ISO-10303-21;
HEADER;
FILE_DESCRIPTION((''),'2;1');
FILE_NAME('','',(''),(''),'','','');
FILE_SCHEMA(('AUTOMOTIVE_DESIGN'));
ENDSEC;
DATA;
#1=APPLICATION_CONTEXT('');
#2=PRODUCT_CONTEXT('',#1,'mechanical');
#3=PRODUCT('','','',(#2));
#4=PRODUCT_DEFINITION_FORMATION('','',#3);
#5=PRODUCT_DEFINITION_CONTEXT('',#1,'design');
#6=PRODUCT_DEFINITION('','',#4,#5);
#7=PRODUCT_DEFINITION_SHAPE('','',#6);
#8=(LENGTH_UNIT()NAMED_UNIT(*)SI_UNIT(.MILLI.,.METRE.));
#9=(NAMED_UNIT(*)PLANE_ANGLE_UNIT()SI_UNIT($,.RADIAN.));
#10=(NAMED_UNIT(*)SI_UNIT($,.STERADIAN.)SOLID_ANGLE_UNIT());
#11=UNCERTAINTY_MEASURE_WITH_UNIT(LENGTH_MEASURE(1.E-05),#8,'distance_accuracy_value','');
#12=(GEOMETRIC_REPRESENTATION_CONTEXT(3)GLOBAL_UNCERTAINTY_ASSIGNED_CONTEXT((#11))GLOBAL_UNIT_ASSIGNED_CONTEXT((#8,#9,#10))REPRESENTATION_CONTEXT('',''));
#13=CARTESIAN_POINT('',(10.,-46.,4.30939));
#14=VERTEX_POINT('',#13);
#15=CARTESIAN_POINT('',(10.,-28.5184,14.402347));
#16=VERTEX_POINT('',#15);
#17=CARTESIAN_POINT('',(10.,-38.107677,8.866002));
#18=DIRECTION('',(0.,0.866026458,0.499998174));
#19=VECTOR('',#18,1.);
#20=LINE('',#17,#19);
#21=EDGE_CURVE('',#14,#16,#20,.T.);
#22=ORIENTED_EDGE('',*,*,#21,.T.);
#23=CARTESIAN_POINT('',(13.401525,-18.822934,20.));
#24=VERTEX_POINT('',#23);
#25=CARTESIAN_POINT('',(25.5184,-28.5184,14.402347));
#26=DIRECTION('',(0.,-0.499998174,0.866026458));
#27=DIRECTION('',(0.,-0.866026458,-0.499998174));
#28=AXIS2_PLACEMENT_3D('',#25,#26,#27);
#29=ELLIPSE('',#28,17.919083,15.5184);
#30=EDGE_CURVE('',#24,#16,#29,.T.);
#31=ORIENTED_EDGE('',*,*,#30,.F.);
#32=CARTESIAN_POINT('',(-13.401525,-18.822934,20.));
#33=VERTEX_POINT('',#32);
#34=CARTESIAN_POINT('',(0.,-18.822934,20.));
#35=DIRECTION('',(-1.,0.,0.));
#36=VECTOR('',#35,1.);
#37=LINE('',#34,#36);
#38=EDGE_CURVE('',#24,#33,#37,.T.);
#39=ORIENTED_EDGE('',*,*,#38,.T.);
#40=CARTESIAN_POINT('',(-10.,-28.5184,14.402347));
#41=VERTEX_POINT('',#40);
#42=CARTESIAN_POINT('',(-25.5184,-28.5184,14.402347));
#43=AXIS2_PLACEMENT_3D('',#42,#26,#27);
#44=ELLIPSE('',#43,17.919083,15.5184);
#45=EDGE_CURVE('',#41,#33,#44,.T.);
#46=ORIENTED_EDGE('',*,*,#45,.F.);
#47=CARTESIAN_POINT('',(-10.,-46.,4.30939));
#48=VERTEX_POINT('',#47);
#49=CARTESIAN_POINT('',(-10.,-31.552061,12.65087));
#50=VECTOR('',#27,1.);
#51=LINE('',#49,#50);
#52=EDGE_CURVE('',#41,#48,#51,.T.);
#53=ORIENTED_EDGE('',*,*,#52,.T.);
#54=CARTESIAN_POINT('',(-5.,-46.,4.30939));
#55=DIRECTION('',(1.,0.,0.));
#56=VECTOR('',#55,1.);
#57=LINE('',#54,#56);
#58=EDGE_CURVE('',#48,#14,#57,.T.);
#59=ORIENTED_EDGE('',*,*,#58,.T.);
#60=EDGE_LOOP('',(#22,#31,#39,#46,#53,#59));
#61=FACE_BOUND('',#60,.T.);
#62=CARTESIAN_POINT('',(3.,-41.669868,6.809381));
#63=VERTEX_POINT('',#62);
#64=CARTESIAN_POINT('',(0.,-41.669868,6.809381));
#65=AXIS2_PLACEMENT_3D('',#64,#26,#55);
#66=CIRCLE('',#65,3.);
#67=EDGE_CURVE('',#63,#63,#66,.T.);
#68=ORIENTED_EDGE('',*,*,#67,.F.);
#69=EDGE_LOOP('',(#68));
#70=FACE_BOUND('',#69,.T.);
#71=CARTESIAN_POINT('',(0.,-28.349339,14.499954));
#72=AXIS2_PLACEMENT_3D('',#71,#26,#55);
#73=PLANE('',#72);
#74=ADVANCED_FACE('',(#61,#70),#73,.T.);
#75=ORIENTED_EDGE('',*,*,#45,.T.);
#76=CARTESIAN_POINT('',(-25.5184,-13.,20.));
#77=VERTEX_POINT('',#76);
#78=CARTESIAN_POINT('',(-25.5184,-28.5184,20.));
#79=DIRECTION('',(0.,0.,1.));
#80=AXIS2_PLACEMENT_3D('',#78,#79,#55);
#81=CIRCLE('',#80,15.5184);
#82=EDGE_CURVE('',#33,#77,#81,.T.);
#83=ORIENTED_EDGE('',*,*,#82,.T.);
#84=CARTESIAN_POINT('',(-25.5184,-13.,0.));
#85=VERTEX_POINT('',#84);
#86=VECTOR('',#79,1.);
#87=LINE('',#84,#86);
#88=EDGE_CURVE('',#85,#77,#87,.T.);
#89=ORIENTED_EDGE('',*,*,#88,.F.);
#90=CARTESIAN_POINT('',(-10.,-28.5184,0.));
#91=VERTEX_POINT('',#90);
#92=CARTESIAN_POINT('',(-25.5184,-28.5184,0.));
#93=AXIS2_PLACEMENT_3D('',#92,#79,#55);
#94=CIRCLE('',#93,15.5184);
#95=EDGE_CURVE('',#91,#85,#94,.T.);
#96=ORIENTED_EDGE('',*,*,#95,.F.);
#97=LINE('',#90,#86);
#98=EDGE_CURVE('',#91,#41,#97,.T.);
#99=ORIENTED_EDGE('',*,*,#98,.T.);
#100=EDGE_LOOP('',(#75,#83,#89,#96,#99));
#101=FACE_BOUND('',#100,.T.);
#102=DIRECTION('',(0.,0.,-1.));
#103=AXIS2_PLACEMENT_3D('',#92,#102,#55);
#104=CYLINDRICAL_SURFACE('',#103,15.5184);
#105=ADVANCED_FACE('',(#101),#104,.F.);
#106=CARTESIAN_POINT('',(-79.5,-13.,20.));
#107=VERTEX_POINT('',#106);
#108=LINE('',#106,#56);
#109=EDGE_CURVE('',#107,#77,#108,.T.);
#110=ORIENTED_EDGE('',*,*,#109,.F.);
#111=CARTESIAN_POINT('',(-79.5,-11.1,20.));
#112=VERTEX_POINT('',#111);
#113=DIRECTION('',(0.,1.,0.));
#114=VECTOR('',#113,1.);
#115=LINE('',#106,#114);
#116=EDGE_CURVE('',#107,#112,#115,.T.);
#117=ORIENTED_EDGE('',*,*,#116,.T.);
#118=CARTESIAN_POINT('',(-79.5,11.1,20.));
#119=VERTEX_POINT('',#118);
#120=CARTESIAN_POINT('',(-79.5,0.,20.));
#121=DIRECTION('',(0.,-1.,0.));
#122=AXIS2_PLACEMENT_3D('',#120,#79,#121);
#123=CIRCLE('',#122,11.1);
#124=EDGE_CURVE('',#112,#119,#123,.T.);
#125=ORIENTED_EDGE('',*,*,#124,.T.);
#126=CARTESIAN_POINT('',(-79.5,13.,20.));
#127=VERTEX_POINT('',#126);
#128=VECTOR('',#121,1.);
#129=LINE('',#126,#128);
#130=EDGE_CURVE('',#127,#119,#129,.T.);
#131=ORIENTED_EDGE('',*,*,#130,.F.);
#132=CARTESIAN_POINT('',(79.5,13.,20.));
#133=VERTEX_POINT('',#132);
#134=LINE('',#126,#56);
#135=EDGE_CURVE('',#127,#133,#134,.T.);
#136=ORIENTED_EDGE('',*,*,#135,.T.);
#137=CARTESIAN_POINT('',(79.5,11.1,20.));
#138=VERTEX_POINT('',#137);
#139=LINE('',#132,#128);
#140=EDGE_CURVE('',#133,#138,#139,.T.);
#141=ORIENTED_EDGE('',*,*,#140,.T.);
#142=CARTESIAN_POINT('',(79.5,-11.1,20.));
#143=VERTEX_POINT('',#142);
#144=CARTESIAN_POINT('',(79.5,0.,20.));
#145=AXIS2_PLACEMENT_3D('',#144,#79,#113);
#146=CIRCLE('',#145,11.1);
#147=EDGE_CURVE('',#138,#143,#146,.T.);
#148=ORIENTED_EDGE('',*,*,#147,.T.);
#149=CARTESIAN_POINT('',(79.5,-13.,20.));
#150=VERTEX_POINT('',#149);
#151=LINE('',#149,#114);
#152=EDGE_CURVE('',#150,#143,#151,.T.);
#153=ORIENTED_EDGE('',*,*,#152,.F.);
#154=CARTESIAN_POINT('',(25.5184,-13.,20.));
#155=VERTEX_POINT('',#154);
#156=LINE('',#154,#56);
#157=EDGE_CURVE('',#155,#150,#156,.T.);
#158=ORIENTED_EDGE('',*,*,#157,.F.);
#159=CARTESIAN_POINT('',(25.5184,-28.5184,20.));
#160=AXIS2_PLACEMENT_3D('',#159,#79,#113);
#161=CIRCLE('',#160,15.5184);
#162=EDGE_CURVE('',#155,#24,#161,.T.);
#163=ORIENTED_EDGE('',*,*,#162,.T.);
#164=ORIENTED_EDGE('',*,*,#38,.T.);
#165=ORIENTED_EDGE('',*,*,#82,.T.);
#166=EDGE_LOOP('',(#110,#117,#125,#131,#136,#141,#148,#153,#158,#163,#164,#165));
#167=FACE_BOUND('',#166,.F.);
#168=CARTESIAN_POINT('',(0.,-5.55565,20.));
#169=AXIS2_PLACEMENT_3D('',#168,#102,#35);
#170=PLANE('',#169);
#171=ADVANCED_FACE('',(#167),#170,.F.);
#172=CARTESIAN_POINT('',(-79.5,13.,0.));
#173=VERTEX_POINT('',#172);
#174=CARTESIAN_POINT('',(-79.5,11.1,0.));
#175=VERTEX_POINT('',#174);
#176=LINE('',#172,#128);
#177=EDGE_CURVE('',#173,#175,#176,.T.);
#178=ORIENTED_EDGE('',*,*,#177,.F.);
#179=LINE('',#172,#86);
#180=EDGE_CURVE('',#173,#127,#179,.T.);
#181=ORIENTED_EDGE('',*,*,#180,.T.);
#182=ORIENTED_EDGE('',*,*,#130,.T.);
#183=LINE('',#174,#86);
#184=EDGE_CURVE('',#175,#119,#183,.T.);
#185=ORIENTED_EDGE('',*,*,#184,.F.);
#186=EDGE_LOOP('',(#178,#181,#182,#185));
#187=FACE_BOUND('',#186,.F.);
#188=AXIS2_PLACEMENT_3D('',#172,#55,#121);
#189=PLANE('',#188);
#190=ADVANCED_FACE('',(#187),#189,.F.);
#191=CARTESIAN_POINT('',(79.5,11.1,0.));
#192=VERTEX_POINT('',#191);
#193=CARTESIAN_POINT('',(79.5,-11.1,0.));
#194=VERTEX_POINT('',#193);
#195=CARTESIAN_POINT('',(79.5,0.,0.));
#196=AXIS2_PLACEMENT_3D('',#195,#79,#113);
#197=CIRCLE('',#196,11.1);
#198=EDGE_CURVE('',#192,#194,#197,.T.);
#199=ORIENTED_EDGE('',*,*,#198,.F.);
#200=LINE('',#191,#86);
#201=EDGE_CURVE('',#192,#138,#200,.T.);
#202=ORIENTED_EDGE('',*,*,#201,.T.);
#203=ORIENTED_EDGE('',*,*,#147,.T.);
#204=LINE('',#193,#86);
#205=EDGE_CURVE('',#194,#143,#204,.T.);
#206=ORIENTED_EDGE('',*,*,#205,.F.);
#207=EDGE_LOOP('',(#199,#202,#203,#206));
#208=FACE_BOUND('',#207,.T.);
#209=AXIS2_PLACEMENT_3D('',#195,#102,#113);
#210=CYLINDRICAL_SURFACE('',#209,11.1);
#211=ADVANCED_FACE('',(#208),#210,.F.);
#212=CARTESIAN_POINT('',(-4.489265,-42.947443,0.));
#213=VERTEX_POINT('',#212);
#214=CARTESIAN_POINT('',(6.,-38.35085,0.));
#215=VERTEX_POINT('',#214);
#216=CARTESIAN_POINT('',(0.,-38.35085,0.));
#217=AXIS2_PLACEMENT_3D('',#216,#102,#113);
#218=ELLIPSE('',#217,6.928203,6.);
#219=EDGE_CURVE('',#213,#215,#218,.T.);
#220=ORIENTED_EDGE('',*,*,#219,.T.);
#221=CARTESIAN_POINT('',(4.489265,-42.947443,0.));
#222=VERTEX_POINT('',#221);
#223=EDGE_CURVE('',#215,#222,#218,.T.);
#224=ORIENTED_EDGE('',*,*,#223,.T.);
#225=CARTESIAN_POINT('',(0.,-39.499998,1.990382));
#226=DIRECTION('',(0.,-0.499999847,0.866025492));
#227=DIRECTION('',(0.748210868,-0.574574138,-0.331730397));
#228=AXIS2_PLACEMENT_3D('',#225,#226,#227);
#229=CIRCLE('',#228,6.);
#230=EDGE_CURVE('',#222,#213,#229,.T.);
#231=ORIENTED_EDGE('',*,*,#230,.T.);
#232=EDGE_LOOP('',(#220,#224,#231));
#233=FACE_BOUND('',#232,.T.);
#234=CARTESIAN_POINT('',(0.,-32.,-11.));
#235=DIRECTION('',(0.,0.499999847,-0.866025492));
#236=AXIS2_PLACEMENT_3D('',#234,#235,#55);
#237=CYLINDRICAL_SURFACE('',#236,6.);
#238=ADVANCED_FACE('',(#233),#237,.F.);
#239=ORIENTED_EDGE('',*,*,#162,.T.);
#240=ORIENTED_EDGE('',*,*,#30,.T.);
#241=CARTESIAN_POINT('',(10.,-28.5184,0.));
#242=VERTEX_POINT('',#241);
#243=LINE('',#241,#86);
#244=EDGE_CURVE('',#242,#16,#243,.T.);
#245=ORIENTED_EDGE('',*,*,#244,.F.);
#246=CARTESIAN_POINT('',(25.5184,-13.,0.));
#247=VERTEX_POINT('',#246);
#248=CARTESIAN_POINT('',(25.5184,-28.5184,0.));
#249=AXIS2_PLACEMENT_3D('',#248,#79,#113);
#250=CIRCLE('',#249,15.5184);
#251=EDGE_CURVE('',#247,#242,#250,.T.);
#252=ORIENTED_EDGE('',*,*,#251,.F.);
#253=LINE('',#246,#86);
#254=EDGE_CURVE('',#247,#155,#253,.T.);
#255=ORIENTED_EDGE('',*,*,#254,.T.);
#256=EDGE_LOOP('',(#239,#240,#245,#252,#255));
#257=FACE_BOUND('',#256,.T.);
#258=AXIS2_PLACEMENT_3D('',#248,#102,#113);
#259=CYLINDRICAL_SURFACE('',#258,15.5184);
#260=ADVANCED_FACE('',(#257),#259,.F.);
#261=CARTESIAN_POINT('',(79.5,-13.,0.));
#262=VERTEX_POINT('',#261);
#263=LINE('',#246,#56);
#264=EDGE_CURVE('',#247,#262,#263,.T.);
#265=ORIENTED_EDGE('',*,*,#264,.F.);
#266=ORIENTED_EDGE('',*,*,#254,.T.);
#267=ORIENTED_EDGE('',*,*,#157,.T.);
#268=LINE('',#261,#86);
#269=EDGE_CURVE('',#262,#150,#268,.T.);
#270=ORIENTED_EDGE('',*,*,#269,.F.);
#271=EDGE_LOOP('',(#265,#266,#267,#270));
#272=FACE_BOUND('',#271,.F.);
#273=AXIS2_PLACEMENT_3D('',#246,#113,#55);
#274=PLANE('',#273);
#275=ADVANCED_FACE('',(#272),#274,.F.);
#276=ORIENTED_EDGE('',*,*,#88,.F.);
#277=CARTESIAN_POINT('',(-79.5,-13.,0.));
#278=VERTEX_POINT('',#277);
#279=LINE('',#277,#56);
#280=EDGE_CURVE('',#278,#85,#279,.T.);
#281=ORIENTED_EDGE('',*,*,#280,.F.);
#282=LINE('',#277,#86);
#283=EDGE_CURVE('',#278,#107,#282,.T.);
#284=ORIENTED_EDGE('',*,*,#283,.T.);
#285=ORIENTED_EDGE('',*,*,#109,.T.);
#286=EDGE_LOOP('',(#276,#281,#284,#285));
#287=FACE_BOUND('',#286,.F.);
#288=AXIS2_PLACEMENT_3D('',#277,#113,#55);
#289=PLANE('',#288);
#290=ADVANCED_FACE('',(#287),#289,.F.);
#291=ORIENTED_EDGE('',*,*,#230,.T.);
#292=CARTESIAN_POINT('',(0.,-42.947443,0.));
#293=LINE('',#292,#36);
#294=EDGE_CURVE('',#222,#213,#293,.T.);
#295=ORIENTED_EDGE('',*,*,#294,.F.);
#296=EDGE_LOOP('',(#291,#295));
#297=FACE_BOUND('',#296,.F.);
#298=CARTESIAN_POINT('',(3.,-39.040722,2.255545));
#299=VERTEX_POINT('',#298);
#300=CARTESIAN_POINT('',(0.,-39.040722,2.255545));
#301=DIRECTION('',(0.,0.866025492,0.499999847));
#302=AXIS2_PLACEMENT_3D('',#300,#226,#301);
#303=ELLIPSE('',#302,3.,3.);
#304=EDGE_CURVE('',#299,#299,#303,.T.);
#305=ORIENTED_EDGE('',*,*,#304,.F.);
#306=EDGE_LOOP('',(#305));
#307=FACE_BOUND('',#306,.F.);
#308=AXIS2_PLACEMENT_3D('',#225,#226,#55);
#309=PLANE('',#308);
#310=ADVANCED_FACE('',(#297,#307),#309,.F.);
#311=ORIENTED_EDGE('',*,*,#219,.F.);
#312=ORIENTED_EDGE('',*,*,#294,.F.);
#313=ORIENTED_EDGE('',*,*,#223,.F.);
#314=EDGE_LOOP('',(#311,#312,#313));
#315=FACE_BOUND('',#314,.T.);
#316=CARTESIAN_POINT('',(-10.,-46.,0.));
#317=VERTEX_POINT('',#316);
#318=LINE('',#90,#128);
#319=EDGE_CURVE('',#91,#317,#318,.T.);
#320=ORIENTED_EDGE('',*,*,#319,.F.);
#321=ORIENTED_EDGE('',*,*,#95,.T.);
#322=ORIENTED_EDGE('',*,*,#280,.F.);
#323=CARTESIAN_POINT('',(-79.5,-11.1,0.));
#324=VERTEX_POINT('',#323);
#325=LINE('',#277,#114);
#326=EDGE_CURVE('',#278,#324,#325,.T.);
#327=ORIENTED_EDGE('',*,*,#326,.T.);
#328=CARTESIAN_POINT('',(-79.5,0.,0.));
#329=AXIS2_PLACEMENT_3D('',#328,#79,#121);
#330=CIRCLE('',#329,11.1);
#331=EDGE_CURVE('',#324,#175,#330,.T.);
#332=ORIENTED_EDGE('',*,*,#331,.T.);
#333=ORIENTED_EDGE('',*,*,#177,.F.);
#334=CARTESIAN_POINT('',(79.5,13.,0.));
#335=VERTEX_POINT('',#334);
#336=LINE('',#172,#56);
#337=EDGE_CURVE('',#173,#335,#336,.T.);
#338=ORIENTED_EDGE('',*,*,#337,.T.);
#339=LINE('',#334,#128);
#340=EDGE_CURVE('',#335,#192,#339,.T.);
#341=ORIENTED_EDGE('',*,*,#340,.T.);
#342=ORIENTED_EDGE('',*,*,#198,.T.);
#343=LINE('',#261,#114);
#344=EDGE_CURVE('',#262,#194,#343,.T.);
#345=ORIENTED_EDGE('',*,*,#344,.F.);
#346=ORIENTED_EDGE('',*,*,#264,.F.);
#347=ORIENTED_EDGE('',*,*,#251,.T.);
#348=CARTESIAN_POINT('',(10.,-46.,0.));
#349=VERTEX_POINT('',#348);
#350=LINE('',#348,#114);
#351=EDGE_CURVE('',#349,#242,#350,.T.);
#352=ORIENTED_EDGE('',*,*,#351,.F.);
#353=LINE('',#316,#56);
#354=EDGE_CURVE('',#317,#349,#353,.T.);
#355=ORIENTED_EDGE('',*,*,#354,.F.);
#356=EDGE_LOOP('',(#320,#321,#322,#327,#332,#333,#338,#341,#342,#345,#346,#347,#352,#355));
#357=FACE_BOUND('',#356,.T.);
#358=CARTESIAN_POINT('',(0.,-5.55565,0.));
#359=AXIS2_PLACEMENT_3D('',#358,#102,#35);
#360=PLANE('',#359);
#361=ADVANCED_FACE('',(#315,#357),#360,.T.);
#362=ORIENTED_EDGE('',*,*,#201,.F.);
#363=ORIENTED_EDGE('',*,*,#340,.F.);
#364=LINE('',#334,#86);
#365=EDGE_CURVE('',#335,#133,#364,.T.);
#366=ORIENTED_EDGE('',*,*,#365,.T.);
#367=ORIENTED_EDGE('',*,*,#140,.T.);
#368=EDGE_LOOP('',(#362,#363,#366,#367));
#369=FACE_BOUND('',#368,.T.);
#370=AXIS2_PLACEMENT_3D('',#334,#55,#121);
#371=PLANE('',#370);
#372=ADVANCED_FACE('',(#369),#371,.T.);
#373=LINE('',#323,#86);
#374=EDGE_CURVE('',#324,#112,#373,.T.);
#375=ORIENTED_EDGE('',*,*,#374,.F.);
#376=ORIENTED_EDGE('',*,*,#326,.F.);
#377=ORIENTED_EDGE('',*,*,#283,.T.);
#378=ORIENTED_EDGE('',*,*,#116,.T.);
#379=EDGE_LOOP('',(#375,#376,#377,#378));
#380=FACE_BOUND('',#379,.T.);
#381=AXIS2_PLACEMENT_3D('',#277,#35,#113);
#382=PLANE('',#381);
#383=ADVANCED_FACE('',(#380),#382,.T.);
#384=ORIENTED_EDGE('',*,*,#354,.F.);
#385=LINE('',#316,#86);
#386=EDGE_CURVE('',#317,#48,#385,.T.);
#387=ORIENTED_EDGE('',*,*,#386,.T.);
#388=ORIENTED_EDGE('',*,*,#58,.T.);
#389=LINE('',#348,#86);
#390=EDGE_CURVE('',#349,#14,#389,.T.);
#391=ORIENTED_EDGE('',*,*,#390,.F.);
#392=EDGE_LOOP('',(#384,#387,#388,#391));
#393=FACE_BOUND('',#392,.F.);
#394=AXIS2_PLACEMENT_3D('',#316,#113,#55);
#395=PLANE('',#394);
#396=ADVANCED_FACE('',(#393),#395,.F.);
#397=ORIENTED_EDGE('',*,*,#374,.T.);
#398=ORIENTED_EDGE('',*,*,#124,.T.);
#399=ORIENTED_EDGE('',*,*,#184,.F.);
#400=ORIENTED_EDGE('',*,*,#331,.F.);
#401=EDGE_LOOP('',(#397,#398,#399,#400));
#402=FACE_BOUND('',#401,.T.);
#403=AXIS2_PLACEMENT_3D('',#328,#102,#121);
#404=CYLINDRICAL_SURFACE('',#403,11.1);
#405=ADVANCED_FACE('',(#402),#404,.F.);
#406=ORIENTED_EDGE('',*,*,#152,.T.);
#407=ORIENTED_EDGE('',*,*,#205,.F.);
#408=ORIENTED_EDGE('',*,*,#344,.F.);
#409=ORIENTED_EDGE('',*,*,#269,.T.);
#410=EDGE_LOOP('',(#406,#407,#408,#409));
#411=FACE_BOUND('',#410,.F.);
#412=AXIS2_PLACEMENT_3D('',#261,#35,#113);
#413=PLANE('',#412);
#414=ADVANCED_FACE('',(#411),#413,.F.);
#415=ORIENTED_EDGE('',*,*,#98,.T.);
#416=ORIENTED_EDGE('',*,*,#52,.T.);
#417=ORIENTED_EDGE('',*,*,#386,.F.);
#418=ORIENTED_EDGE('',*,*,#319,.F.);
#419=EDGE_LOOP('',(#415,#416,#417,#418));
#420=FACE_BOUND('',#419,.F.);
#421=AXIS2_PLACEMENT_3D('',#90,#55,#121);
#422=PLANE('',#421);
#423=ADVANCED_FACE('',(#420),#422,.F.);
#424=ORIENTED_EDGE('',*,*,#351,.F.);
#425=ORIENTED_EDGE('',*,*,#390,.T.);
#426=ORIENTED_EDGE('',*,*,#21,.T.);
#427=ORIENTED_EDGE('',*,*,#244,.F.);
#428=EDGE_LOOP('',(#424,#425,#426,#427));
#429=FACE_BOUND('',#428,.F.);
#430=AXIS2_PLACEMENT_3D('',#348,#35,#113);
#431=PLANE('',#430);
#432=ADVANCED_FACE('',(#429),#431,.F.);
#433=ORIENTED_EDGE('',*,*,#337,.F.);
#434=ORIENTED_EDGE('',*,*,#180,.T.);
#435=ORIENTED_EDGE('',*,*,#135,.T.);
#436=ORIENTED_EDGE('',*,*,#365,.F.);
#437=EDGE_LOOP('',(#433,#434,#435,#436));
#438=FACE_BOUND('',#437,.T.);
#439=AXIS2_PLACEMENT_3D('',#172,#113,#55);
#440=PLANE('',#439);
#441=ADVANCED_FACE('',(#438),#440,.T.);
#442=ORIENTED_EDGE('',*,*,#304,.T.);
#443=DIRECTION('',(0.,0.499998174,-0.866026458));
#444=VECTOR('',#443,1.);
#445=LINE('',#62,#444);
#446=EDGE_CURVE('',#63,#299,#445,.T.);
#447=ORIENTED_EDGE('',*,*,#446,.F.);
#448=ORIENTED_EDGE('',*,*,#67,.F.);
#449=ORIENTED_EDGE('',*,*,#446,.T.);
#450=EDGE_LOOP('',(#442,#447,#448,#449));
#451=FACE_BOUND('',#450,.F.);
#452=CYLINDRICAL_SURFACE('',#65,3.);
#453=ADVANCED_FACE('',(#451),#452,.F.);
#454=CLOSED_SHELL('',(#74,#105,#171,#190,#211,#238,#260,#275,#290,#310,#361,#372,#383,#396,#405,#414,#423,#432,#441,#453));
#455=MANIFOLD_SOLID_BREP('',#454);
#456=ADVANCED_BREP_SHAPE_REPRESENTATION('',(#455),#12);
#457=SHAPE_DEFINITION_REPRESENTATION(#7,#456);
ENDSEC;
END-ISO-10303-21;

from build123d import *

# Parameters (mm, degrees)
CYLINDER_R               = 6
CYLINDER_DEPTH           = 15
CYLINDER_PLACEMENT_ANGLE = 29.9999898558
BOX_W                    = 30
BOX_H                    = 50
BOX_DEPTH                = 30
BOX_ROLL_ANGLE           = 29.9998791688
PAD_DEPTH                = 20
SKETCH001_R              = 3
POCKET_DEPTH             = 33.2329378555


with BuildPart() as cylinder:
    # Cylinder → Cylinder (new body)
    with BuildSketch(Plane.XY):
        Circle(CYLINDER_R)
    extrude(amount=CYLINDER_DEPTH)


with BuildPart() as cylinder_1:
    # Cylinder placement: moved
    add(cylinder.part.moved(Location((0, -32, -11))).rotate(Axis((0, -32, -11), (1, 0, 0)), CYLINDER_PLACEMENT_ANGLE))


with BuildPart() as box:
    # Box → Box (new body)
    with BuildSketch(Plane.XY):
        with Locations((15, 25)):
            Rectangle(BOX_W, BOX_H)
    extrude(amount=BOX_DEPTH)


with BuildPart() as box_1:
    # Box roll: moved
    add(box.part.rotate(Axis((0, 0, 0), (1, 0, 0)), BOX_ROLL_ANGLE))


with BuildPart() as box_2:
    # Box placement: moved
    add(box_1.part.moved(Location((-15, -50, 2))))


with BuildPart() as cut001:
    # Sketch → Pad (new body)
    with BuildSketch(Plane.XY):
        with BuildLine():
            Line((-79.5, 13), (79.5, 13))
            Line((79.5, 13), (79.5, 11.1))
            ThreePointArc((79.5, 11.1), (68.4, 0), (79.5, -11.1))
            Line((79.5, -13), (79.5, -11.1))
            Line((25.5184, -13), (79.5, -13))
            ThreePointArc((25.5184, -13), (14.5452341268, -17.5452341268), (10, -28.5184))
            Line((10, -46), (10, -28.5184))
            Line((-10, -46), (10, -46))
            Line((-10, -28.5184), (-10, -46))
            ThreePointArc((-10, -28.5184), (-14.5452341268, -17.5452341268), (-25.5184, -13))
            Line((-79.5, -13), (-25.5184, -13))
            Line((-79.5, -13), (-79.5, -11.1))
            ThreePointArc((-79.5, -11.1), (-68.4, 0), (-79.5, 11.1))
            Line((-79.5, 13), (-79.5, 11.1))
        make_face()
    extrude(amount=PAD_DEPTH)

    # Cut: cut Box
    add(box_2.part, mode=Mode.SUBTRACT)

    # Sketch001 → Pocket (cut, through all)
    with BuildSketch(Plane(origin=(0, -13.3659319768, 23.1505860246), x_dir=(1, 0, 0), z_dir=(0, -0.4999981736, 0.8660264582))):
        with Locations((0, -32.6825300346)):
            Circle(SKETCH001_R)
    extrude(amount=-POCKET_DEPTH, mode=Mode.SUBTRACT)

    # Cut001: cut Cylinder
    add(cylinder_1.part, mode=Mode.SUBTRACT)


solid = cut001.part
